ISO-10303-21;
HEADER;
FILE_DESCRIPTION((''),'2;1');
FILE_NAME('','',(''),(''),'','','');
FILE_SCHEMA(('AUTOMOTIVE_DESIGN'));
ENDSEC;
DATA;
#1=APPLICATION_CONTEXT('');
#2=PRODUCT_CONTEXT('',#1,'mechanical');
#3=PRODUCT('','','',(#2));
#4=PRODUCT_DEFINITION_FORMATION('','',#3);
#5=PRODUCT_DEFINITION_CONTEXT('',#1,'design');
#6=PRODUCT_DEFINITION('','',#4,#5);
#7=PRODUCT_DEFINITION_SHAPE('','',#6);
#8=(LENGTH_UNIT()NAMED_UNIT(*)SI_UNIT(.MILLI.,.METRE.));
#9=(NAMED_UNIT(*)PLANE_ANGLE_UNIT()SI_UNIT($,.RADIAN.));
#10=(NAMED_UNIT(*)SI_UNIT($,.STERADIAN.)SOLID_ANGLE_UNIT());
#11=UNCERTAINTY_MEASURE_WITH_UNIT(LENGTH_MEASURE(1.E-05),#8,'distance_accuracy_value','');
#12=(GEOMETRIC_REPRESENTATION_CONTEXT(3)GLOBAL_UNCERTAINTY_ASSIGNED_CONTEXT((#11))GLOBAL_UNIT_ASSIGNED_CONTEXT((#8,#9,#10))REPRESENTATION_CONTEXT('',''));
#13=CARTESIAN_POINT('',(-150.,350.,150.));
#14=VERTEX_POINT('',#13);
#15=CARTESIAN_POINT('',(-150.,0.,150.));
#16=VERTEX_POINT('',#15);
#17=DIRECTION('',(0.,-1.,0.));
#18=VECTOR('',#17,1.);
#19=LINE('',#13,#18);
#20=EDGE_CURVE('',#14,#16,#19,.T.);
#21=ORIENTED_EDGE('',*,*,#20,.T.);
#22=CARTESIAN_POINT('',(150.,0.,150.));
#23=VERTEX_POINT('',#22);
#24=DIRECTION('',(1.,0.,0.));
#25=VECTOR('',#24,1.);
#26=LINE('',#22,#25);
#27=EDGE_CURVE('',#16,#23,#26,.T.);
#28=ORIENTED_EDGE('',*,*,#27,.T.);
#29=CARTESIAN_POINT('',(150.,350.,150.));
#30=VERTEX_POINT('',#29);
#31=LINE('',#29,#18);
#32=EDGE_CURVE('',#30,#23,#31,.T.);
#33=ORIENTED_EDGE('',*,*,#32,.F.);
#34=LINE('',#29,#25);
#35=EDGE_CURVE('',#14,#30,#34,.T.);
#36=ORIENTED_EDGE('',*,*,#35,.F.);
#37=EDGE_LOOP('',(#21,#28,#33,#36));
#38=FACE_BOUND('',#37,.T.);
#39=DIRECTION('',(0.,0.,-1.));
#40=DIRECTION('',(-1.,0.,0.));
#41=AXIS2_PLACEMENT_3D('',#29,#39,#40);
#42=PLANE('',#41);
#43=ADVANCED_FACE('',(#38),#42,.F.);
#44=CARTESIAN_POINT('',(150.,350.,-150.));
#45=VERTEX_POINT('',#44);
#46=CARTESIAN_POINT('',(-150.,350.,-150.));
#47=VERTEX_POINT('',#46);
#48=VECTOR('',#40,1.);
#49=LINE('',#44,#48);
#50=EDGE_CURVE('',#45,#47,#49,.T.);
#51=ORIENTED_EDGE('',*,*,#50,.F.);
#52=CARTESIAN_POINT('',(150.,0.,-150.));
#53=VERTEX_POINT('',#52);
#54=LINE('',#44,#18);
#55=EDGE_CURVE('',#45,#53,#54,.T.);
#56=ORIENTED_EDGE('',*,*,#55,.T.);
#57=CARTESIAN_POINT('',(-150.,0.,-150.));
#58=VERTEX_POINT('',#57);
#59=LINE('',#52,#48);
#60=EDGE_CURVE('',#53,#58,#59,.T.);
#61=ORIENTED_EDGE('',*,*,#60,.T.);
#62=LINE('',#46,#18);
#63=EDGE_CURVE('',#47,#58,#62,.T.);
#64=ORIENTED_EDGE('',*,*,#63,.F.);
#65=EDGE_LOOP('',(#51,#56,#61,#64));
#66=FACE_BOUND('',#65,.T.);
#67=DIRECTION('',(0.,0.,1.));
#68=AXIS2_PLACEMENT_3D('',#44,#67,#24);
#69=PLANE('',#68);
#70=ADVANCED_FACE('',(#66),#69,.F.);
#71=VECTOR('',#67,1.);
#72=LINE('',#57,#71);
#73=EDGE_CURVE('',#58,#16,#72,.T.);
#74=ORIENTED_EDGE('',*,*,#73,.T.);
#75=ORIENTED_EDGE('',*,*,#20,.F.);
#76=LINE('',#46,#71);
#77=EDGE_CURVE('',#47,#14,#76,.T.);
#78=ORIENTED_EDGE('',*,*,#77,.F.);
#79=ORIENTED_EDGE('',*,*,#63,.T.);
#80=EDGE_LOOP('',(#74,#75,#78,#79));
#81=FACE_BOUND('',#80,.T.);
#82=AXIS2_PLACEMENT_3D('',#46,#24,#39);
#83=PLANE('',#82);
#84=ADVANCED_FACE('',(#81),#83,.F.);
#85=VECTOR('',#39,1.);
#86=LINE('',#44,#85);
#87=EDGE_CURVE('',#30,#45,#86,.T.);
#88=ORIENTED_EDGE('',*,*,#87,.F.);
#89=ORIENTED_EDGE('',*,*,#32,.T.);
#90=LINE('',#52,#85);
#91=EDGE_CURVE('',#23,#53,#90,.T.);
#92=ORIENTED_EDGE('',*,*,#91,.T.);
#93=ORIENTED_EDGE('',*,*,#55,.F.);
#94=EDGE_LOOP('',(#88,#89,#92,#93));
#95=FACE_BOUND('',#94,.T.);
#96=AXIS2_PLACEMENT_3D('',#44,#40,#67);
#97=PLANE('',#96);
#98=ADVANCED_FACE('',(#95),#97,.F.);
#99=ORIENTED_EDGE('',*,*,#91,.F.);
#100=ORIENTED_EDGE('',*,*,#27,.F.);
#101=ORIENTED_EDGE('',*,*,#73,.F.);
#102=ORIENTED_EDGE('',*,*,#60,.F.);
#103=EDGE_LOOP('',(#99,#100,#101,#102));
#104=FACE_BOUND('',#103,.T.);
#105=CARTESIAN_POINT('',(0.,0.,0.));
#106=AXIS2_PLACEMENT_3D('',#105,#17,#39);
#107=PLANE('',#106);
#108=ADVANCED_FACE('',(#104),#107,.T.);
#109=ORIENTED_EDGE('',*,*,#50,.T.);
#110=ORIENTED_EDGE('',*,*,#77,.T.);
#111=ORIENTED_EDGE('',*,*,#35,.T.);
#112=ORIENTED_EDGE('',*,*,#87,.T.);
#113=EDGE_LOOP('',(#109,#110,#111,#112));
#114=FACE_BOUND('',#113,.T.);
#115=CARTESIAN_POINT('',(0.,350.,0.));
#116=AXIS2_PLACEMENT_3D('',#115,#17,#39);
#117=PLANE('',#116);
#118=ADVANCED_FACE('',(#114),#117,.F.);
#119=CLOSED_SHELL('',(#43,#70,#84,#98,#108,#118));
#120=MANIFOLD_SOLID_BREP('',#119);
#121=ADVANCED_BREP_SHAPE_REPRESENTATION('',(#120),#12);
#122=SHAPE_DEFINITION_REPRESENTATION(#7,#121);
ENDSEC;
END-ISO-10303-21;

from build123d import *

# Parameters (mm, degrees)
SKETCH_1_W      = 300
SKETCH_1_H      = 300
EXTRUDE_1_DEPTH = 350


with BuildPart() as part:
    # 草图1 → 凸台-拉伸1 (new body)
    with BuildSketch(Plane(origin=(0, 0, 0), x_dir=(1, 0, 0), z_dir=(0, 1, 0))):
        Rectangle(SKETCH_1_W, SKETCH_1_H)
    extrude(amount=EXTRUDE_1_DEPTH)


solid = part.part
